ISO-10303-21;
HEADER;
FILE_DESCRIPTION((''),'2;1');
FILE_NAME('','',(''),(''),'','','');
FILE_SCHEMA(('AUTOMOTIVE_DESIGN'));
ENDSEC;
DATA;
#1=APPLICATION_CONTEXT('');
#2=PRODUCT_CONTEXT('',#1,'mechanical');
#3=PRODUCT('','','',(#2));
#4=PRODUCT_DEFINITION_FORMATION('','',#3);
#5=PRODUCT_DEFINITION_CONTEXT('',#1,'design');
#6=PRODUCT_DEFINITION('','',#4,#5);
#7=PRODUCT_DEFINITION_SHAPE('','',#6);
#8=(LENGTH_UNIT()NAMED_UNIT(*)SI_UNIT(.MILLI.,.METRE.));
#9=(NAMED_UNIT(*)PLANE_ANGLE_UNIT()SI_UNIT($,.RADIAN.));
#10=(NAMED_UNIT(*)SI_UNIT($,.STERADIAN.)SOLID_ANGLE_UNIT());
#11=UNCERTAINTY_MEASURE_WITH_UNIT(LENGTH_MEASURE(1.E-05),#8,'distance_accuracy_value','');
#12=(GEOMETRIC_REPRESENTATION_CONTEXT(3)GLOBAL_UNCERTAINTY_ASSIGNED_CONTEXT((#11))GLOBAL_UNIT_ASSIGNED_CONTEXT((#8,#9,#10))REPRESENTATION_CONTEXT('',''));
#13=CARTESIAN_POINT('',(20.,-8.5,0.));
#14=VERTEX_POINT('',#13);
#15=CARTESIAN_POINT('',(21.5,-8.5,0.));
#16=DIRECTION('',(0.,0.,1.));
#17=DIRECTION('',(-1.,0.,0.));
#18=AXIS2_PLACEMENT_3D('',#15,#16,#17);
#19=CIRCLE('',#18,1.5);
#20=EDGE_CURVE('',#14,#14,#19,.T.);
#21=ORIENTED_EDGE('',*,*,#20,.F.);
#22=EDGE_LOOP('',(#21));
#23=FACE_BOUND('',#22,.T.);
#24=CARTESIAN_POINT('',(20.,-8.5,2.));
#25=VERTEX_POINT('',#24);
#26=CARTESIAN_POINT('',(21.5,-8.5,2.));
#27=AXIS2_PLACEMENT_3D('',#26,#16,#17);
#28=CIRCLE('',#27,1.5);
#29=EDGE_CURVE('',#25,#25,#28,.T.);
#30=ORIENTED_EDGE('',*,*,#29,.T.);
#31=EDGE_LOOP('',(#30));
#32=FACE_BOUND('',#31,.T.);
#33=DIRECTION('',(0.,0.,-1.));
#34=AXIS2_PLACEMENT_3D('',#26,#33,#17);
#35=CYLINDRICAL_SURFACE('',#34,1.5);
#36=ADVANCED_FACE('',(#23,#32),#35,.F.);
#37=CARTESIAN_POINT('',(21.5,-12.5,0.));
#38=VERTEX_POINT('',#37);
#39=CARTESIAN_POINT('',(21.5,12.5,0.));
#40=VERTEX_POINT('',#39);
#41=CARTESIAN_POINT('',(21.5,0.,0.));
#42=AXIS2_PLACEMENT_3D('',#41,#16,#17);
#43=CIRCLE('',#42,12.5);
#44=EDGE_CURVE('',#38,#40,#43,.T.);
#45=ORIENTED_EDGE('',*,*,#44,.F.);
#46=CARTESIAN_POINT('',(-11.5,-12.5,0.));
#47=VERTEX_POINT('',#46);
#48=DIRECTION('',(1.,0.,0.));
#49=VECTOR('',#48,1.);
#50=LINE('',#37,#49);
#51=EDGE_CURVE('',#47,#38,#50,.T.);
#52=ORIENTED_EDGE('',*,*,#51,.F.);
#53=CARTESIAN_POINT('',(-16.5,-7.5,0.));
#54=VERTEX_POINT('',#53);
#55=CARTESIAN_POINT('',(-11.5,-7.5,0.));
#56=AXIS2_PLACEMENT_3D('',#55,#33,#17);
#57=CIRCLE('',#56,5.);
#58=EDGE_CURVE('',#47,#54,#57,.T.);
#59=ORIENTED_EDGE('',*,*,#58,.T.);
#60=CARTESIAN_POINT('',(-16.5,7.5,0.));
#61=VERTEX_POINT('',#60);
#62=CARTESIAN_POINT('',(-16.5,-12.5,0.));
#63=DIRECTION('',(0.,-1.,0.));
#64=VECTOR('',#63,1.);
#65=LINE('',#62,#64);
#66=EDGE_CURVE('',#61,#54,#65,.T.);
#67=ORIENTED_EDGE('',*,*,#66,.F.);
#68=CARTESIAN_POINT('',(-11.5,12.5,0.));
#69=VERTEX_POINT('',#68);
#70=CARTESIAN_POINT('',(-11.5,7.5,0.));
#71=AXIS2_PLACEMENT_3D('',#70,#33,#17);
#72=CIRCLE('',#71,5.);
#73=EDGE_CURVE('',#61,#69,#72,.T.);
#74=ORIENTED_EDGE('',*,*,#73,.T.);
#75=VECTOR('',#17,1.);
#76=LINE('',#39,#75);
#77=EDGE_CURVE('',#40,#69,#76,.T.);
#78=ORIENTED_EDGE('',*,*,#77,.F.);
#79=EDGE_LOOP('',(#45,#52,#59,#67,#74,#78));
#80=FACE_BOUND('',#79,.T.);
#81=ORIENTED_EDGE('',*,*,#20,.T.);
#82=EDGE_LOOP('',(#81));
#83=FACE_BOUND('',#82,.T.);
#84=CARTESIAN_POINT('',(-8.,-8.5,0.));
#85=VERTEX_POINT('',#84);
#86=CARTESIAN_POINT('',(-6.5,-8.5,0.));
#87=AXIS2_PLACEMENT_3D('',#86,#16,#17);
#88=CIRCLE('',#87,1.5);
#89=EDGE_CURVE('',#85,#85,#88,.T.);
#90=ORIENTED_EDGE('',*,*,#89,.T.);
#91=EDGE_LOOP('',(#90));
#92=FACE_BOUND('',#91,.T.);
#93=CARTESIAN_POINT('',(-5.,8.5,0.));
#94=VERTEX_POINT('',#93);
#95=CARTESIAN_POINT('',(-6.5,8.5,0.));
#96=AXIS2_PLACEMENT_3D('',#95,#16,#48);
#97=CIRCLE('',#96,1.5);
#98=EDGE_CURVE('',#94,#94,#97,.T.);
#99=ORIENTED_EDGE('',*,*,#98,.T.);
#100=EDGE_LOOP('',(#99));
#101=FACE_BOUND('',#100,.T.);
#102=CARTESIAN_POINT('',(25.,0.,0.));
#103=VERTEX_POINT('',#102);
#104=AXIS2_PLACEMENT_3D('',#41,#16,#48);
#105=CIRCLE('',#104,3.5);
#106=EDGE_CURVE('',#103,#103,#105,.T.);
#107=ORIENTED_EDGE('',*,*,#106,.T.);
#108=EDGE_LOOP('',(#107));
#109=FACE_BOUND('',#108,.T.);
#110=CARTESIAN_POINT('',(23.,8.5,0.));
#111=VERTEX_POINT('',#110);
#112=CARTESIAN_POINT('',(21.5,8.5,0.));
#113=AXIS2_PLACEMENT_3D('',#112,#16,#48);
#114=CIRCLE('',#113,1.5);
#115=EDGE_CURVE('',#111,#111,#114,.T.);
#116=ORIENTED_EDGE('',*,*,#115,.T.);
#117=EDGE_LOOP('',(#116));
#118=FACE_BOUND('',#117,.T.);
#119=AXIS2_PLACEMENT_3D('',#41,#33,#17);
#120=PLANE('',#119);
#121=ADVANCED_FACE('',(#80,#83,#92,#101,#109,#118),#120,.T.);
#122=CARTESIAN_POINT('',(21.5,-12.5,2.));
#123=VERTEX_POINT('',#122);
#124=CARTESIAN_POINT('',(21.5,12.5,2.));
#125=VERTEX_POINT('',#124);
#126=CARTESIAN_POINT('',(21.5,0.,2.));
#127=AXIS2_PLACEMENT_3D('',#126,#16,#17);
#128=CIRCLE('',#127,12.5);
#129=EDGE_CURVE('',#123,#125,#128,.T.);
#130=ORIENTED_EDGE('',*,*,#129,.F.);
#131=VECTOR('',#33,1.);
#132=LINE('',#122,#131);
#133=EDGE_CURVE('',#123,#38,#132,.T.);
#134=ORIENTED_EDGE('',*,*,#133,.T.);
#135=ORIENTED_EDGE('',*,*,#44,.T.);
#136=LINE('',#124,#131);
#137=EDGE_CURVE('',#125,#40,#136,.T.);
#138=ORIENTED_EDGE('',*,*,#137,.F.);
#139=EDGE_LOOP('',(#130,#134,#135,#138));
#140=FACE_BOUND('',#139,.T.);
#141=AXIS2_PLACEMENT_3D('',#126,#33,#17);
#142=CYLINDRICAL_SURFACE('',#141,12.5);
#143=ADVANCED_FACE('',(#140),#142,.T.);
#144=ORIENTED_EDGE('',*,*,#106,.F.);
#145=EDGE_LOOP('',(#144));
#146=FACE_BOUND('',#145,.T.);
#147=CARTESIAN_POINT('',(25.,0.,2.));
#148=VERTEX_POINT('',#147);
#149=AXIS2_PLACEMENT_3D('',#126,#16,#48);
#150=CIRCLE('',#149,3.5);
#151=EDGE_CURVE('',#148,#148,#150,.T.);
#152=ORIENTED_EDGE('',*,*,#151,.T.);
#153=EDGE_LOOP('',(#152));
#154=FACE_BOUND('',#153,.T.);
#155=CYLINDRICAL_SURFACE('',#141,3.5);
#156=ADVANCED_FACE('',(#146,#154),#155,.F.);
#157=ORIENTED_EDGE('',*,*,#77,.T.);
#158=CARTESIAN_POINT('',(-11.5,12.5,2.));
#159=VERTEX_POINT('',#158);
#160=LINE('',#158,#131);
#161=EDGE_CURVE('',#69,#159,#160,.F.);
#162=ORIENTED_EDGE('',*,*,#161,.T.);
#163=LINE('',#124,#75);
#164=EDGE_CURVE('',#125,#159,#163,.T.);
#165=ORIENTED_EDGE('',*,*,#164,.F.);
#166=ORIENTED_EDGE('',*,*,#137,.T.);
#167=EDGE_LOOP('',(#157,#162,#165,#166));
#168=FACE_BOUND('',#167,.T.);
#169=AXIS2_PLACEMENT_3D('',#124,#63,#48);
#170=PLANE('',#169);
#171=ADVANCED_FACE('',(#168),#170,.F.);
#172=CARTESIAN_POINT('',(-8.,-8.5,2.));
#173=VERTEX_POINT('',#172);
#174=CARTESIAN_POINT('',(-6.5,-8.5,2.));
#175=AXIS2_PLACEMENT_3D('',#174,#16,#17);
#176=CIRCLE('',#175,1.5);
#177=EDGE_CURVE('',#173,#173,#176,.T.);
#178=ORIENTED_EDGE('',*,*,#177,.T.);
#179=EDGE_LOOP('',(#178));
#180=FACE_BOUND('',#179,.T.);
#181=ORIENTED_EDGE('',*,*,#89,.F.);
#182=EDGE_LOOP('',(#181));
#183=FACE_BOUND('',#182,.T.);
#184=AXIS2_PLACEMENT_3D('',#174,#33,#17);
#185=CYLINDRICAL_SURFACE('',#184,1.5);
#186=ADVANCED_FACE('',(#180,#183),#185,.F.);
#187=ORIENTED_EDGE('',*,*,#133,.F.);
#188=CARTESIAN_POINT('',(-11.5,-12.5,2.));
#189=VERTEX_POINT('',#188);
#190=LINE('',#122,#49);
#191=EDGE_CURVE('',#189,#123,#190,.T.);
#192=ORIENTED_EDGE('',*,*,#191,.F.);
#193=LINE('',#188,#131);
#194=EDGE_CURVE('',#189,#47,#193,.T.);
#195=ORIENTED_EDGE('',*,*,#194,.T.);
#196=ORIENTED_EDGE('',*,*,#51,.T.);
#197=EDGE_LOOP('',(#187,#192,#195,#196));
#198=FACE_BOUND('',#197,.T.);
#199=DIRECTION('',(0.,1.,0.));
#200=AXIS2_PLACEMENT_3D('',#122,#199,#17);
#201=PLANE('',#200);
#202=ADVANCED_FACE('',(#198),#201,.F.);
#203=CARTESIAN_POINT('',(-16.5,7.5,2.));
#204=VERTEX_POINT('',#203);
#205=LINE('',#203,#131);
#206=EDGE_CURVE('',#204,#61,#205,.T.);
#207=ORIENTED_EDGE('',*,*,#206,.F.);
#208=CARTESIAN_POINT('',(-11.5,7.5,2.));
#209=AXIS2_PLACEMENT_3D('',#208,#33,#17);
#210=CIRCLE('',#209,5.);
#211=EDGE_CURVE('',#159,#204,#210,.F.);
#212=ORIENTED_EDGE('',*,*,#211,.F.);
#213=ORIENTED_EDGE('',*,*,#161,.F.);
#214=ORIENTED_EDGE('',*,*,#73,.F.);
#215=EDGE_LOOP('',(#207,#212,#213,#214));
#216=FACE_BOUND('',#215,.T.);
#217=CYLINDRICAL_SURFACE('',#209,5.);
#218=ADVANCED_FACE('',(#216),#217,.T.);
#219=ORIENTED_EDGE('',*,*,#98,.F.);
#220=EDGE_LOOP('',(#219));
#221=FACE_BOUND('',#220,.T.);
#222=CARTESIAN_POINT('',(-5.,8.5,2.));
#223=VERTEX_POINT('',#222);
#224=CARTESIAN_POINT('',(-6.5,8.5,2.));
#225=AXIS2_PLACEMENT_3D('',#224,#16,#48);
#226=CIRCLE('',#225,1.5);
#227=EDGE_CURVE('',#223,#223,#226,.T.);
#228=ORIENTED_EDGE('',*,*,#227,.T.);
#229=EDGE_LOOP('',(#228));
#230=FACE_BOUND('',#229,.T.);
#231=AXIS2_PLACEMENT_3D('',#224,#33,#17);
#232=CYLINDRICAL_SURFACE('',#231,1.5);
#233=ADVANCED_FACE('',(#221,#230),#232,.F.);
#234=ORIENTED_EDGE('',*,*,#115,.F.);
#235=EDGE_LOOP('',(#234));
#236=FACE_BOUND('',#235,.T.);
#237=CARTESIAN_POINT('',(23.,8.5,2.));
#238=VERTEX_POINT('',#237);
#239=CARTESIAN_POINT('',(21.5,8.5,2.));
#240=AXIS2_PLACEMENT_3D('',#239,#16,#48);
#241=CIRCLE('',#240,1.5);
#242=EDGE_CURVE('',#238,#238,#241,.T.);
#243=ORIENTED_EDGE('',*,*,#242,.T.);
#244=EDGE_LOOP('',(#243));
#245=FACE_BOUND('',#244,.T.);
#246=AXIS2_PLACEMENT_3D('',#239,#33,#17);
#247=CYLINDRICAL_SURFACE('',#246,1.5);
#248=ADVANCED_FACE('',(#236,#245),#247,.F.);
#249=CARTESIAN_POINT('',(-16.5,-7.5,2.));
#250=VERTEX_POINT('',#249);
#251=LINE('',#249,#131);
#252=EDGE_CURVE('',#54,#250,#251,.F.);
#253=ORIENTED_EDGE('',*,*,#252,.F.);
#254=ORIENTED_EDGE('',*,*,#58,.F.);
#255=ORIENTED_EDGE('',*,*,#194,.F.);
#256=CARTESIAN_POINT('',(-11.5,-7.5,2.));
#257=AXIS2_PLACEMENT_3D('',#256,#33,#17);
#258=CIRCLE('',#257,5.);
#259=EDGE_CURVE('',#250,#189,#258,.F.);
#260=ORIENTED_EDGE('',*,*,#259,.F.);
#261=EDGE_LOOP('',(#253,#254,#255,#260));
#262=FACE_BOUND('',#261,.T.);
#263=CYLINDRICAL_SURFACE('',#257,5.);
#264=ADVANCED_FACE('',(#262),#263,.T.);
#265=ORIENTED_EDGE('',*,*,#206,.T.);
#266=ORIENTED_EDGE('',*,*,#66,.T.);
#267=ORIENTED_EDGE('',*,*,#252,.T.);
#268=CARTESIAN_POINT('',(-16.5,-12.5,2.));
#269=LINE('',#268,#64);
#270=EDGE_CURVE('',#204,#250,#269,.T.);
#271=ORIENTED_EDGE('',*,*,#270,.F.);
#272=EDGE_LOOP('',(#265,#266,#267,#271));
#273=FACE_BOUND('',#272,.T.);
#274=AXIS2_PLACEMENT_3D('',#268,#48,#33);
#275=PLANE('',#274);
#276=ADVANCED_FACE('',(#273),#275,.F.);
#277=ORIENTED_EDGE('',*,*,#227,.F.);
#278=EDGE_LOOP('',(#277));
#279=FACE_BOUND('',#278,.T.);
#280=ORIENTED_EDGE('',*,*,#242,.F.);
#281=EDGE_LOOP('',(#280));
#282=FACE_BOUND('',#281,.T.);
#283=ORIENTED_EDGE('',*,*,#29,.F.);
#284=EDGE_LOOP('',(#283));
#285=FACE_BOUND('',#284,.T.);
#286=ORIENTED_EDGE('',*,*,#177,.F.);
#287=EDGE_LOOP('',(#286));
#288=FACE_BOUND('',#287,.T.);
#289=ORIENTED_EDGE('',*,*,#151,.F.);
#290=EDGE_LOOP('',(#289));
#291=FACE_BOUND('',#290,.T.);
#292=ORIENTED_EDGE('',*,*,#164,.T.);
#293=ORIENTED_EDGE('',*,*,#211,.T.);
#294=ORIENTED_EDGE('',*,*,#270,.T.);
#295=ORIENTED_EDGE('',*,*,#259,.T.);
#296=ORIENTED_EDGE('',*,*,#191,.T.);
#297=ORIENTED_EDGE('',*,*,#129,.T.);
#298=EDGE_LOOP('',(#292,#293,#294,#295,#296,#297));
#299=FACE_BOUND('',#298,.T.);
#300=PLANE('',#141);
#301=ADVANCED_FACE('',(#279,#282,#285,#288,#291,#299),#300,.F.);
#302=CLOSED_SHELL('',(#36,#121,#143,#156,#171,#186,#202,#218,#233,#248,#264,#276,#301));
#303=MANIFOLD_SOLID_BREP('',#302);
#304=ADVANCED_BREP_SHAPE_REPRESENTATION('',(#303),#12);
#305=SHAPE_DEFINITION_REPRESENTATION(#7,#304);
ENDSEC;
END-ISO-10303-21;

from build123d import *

# Parameters (mm, degrees)
SKETCH_1_R      = 3.5
SKETCH_1_R_2    = 1.5
EXTRUDE_1_DEPTH = 2
FILLET_1_R      = 5


with BuildPart() as part:
    # 草图1 → 凸台-拉伸1 (new body)
    with BuildSketch(Plane.XY):
        with BuildLine():
            Line((21.5, -12.5), (-16.5, -12.5))
            Line((-16.5, -12.5), (-16.5, 12.5))
            Line((-16.5, 12.5), (21.5, 12.5))
            ThreePointArc((21.5, 12.5), (34, 0), (21.5, -12.5))
        make_face()
        with Locations((21.5, 0)):
            Circle(SKETCH_1_R, mode=Mode.SUBTRACT)
        with Locations((21.5, 8.5)):
            Circle(SKETCH_1_R_2, mode=Mode.SUBTRACT)
        with Locations(Location((21.5, -8.5, 0), (0, 0, 180))):
            Circle(SKETCH_1_R_2, mode=Mode.SUBTRACT)
        with Locations((-6.5, 8.5)):
            Circle(SKETCH_1_R_2, mode=Mode.SUBTRACT)
        with Locations(Location((-6.5, -8.5, 0), (0, 0, 180))):
            Circle(SKETCH_1_R_2, mode=Mode.SUBTRACT)
    extrude(amount=EXTRUDE_1_DEPTH)

    # 圆角1
    fillet_1_edges = [part.edges().sort_by_distance(p)[0] for p in [
        (-16.5, 12.5, 1),
        (-16.5, -12.5, 1),
    ]]
    fillet(fillet_1_edges, radius=FILLET_1_R)


solid = part.part
